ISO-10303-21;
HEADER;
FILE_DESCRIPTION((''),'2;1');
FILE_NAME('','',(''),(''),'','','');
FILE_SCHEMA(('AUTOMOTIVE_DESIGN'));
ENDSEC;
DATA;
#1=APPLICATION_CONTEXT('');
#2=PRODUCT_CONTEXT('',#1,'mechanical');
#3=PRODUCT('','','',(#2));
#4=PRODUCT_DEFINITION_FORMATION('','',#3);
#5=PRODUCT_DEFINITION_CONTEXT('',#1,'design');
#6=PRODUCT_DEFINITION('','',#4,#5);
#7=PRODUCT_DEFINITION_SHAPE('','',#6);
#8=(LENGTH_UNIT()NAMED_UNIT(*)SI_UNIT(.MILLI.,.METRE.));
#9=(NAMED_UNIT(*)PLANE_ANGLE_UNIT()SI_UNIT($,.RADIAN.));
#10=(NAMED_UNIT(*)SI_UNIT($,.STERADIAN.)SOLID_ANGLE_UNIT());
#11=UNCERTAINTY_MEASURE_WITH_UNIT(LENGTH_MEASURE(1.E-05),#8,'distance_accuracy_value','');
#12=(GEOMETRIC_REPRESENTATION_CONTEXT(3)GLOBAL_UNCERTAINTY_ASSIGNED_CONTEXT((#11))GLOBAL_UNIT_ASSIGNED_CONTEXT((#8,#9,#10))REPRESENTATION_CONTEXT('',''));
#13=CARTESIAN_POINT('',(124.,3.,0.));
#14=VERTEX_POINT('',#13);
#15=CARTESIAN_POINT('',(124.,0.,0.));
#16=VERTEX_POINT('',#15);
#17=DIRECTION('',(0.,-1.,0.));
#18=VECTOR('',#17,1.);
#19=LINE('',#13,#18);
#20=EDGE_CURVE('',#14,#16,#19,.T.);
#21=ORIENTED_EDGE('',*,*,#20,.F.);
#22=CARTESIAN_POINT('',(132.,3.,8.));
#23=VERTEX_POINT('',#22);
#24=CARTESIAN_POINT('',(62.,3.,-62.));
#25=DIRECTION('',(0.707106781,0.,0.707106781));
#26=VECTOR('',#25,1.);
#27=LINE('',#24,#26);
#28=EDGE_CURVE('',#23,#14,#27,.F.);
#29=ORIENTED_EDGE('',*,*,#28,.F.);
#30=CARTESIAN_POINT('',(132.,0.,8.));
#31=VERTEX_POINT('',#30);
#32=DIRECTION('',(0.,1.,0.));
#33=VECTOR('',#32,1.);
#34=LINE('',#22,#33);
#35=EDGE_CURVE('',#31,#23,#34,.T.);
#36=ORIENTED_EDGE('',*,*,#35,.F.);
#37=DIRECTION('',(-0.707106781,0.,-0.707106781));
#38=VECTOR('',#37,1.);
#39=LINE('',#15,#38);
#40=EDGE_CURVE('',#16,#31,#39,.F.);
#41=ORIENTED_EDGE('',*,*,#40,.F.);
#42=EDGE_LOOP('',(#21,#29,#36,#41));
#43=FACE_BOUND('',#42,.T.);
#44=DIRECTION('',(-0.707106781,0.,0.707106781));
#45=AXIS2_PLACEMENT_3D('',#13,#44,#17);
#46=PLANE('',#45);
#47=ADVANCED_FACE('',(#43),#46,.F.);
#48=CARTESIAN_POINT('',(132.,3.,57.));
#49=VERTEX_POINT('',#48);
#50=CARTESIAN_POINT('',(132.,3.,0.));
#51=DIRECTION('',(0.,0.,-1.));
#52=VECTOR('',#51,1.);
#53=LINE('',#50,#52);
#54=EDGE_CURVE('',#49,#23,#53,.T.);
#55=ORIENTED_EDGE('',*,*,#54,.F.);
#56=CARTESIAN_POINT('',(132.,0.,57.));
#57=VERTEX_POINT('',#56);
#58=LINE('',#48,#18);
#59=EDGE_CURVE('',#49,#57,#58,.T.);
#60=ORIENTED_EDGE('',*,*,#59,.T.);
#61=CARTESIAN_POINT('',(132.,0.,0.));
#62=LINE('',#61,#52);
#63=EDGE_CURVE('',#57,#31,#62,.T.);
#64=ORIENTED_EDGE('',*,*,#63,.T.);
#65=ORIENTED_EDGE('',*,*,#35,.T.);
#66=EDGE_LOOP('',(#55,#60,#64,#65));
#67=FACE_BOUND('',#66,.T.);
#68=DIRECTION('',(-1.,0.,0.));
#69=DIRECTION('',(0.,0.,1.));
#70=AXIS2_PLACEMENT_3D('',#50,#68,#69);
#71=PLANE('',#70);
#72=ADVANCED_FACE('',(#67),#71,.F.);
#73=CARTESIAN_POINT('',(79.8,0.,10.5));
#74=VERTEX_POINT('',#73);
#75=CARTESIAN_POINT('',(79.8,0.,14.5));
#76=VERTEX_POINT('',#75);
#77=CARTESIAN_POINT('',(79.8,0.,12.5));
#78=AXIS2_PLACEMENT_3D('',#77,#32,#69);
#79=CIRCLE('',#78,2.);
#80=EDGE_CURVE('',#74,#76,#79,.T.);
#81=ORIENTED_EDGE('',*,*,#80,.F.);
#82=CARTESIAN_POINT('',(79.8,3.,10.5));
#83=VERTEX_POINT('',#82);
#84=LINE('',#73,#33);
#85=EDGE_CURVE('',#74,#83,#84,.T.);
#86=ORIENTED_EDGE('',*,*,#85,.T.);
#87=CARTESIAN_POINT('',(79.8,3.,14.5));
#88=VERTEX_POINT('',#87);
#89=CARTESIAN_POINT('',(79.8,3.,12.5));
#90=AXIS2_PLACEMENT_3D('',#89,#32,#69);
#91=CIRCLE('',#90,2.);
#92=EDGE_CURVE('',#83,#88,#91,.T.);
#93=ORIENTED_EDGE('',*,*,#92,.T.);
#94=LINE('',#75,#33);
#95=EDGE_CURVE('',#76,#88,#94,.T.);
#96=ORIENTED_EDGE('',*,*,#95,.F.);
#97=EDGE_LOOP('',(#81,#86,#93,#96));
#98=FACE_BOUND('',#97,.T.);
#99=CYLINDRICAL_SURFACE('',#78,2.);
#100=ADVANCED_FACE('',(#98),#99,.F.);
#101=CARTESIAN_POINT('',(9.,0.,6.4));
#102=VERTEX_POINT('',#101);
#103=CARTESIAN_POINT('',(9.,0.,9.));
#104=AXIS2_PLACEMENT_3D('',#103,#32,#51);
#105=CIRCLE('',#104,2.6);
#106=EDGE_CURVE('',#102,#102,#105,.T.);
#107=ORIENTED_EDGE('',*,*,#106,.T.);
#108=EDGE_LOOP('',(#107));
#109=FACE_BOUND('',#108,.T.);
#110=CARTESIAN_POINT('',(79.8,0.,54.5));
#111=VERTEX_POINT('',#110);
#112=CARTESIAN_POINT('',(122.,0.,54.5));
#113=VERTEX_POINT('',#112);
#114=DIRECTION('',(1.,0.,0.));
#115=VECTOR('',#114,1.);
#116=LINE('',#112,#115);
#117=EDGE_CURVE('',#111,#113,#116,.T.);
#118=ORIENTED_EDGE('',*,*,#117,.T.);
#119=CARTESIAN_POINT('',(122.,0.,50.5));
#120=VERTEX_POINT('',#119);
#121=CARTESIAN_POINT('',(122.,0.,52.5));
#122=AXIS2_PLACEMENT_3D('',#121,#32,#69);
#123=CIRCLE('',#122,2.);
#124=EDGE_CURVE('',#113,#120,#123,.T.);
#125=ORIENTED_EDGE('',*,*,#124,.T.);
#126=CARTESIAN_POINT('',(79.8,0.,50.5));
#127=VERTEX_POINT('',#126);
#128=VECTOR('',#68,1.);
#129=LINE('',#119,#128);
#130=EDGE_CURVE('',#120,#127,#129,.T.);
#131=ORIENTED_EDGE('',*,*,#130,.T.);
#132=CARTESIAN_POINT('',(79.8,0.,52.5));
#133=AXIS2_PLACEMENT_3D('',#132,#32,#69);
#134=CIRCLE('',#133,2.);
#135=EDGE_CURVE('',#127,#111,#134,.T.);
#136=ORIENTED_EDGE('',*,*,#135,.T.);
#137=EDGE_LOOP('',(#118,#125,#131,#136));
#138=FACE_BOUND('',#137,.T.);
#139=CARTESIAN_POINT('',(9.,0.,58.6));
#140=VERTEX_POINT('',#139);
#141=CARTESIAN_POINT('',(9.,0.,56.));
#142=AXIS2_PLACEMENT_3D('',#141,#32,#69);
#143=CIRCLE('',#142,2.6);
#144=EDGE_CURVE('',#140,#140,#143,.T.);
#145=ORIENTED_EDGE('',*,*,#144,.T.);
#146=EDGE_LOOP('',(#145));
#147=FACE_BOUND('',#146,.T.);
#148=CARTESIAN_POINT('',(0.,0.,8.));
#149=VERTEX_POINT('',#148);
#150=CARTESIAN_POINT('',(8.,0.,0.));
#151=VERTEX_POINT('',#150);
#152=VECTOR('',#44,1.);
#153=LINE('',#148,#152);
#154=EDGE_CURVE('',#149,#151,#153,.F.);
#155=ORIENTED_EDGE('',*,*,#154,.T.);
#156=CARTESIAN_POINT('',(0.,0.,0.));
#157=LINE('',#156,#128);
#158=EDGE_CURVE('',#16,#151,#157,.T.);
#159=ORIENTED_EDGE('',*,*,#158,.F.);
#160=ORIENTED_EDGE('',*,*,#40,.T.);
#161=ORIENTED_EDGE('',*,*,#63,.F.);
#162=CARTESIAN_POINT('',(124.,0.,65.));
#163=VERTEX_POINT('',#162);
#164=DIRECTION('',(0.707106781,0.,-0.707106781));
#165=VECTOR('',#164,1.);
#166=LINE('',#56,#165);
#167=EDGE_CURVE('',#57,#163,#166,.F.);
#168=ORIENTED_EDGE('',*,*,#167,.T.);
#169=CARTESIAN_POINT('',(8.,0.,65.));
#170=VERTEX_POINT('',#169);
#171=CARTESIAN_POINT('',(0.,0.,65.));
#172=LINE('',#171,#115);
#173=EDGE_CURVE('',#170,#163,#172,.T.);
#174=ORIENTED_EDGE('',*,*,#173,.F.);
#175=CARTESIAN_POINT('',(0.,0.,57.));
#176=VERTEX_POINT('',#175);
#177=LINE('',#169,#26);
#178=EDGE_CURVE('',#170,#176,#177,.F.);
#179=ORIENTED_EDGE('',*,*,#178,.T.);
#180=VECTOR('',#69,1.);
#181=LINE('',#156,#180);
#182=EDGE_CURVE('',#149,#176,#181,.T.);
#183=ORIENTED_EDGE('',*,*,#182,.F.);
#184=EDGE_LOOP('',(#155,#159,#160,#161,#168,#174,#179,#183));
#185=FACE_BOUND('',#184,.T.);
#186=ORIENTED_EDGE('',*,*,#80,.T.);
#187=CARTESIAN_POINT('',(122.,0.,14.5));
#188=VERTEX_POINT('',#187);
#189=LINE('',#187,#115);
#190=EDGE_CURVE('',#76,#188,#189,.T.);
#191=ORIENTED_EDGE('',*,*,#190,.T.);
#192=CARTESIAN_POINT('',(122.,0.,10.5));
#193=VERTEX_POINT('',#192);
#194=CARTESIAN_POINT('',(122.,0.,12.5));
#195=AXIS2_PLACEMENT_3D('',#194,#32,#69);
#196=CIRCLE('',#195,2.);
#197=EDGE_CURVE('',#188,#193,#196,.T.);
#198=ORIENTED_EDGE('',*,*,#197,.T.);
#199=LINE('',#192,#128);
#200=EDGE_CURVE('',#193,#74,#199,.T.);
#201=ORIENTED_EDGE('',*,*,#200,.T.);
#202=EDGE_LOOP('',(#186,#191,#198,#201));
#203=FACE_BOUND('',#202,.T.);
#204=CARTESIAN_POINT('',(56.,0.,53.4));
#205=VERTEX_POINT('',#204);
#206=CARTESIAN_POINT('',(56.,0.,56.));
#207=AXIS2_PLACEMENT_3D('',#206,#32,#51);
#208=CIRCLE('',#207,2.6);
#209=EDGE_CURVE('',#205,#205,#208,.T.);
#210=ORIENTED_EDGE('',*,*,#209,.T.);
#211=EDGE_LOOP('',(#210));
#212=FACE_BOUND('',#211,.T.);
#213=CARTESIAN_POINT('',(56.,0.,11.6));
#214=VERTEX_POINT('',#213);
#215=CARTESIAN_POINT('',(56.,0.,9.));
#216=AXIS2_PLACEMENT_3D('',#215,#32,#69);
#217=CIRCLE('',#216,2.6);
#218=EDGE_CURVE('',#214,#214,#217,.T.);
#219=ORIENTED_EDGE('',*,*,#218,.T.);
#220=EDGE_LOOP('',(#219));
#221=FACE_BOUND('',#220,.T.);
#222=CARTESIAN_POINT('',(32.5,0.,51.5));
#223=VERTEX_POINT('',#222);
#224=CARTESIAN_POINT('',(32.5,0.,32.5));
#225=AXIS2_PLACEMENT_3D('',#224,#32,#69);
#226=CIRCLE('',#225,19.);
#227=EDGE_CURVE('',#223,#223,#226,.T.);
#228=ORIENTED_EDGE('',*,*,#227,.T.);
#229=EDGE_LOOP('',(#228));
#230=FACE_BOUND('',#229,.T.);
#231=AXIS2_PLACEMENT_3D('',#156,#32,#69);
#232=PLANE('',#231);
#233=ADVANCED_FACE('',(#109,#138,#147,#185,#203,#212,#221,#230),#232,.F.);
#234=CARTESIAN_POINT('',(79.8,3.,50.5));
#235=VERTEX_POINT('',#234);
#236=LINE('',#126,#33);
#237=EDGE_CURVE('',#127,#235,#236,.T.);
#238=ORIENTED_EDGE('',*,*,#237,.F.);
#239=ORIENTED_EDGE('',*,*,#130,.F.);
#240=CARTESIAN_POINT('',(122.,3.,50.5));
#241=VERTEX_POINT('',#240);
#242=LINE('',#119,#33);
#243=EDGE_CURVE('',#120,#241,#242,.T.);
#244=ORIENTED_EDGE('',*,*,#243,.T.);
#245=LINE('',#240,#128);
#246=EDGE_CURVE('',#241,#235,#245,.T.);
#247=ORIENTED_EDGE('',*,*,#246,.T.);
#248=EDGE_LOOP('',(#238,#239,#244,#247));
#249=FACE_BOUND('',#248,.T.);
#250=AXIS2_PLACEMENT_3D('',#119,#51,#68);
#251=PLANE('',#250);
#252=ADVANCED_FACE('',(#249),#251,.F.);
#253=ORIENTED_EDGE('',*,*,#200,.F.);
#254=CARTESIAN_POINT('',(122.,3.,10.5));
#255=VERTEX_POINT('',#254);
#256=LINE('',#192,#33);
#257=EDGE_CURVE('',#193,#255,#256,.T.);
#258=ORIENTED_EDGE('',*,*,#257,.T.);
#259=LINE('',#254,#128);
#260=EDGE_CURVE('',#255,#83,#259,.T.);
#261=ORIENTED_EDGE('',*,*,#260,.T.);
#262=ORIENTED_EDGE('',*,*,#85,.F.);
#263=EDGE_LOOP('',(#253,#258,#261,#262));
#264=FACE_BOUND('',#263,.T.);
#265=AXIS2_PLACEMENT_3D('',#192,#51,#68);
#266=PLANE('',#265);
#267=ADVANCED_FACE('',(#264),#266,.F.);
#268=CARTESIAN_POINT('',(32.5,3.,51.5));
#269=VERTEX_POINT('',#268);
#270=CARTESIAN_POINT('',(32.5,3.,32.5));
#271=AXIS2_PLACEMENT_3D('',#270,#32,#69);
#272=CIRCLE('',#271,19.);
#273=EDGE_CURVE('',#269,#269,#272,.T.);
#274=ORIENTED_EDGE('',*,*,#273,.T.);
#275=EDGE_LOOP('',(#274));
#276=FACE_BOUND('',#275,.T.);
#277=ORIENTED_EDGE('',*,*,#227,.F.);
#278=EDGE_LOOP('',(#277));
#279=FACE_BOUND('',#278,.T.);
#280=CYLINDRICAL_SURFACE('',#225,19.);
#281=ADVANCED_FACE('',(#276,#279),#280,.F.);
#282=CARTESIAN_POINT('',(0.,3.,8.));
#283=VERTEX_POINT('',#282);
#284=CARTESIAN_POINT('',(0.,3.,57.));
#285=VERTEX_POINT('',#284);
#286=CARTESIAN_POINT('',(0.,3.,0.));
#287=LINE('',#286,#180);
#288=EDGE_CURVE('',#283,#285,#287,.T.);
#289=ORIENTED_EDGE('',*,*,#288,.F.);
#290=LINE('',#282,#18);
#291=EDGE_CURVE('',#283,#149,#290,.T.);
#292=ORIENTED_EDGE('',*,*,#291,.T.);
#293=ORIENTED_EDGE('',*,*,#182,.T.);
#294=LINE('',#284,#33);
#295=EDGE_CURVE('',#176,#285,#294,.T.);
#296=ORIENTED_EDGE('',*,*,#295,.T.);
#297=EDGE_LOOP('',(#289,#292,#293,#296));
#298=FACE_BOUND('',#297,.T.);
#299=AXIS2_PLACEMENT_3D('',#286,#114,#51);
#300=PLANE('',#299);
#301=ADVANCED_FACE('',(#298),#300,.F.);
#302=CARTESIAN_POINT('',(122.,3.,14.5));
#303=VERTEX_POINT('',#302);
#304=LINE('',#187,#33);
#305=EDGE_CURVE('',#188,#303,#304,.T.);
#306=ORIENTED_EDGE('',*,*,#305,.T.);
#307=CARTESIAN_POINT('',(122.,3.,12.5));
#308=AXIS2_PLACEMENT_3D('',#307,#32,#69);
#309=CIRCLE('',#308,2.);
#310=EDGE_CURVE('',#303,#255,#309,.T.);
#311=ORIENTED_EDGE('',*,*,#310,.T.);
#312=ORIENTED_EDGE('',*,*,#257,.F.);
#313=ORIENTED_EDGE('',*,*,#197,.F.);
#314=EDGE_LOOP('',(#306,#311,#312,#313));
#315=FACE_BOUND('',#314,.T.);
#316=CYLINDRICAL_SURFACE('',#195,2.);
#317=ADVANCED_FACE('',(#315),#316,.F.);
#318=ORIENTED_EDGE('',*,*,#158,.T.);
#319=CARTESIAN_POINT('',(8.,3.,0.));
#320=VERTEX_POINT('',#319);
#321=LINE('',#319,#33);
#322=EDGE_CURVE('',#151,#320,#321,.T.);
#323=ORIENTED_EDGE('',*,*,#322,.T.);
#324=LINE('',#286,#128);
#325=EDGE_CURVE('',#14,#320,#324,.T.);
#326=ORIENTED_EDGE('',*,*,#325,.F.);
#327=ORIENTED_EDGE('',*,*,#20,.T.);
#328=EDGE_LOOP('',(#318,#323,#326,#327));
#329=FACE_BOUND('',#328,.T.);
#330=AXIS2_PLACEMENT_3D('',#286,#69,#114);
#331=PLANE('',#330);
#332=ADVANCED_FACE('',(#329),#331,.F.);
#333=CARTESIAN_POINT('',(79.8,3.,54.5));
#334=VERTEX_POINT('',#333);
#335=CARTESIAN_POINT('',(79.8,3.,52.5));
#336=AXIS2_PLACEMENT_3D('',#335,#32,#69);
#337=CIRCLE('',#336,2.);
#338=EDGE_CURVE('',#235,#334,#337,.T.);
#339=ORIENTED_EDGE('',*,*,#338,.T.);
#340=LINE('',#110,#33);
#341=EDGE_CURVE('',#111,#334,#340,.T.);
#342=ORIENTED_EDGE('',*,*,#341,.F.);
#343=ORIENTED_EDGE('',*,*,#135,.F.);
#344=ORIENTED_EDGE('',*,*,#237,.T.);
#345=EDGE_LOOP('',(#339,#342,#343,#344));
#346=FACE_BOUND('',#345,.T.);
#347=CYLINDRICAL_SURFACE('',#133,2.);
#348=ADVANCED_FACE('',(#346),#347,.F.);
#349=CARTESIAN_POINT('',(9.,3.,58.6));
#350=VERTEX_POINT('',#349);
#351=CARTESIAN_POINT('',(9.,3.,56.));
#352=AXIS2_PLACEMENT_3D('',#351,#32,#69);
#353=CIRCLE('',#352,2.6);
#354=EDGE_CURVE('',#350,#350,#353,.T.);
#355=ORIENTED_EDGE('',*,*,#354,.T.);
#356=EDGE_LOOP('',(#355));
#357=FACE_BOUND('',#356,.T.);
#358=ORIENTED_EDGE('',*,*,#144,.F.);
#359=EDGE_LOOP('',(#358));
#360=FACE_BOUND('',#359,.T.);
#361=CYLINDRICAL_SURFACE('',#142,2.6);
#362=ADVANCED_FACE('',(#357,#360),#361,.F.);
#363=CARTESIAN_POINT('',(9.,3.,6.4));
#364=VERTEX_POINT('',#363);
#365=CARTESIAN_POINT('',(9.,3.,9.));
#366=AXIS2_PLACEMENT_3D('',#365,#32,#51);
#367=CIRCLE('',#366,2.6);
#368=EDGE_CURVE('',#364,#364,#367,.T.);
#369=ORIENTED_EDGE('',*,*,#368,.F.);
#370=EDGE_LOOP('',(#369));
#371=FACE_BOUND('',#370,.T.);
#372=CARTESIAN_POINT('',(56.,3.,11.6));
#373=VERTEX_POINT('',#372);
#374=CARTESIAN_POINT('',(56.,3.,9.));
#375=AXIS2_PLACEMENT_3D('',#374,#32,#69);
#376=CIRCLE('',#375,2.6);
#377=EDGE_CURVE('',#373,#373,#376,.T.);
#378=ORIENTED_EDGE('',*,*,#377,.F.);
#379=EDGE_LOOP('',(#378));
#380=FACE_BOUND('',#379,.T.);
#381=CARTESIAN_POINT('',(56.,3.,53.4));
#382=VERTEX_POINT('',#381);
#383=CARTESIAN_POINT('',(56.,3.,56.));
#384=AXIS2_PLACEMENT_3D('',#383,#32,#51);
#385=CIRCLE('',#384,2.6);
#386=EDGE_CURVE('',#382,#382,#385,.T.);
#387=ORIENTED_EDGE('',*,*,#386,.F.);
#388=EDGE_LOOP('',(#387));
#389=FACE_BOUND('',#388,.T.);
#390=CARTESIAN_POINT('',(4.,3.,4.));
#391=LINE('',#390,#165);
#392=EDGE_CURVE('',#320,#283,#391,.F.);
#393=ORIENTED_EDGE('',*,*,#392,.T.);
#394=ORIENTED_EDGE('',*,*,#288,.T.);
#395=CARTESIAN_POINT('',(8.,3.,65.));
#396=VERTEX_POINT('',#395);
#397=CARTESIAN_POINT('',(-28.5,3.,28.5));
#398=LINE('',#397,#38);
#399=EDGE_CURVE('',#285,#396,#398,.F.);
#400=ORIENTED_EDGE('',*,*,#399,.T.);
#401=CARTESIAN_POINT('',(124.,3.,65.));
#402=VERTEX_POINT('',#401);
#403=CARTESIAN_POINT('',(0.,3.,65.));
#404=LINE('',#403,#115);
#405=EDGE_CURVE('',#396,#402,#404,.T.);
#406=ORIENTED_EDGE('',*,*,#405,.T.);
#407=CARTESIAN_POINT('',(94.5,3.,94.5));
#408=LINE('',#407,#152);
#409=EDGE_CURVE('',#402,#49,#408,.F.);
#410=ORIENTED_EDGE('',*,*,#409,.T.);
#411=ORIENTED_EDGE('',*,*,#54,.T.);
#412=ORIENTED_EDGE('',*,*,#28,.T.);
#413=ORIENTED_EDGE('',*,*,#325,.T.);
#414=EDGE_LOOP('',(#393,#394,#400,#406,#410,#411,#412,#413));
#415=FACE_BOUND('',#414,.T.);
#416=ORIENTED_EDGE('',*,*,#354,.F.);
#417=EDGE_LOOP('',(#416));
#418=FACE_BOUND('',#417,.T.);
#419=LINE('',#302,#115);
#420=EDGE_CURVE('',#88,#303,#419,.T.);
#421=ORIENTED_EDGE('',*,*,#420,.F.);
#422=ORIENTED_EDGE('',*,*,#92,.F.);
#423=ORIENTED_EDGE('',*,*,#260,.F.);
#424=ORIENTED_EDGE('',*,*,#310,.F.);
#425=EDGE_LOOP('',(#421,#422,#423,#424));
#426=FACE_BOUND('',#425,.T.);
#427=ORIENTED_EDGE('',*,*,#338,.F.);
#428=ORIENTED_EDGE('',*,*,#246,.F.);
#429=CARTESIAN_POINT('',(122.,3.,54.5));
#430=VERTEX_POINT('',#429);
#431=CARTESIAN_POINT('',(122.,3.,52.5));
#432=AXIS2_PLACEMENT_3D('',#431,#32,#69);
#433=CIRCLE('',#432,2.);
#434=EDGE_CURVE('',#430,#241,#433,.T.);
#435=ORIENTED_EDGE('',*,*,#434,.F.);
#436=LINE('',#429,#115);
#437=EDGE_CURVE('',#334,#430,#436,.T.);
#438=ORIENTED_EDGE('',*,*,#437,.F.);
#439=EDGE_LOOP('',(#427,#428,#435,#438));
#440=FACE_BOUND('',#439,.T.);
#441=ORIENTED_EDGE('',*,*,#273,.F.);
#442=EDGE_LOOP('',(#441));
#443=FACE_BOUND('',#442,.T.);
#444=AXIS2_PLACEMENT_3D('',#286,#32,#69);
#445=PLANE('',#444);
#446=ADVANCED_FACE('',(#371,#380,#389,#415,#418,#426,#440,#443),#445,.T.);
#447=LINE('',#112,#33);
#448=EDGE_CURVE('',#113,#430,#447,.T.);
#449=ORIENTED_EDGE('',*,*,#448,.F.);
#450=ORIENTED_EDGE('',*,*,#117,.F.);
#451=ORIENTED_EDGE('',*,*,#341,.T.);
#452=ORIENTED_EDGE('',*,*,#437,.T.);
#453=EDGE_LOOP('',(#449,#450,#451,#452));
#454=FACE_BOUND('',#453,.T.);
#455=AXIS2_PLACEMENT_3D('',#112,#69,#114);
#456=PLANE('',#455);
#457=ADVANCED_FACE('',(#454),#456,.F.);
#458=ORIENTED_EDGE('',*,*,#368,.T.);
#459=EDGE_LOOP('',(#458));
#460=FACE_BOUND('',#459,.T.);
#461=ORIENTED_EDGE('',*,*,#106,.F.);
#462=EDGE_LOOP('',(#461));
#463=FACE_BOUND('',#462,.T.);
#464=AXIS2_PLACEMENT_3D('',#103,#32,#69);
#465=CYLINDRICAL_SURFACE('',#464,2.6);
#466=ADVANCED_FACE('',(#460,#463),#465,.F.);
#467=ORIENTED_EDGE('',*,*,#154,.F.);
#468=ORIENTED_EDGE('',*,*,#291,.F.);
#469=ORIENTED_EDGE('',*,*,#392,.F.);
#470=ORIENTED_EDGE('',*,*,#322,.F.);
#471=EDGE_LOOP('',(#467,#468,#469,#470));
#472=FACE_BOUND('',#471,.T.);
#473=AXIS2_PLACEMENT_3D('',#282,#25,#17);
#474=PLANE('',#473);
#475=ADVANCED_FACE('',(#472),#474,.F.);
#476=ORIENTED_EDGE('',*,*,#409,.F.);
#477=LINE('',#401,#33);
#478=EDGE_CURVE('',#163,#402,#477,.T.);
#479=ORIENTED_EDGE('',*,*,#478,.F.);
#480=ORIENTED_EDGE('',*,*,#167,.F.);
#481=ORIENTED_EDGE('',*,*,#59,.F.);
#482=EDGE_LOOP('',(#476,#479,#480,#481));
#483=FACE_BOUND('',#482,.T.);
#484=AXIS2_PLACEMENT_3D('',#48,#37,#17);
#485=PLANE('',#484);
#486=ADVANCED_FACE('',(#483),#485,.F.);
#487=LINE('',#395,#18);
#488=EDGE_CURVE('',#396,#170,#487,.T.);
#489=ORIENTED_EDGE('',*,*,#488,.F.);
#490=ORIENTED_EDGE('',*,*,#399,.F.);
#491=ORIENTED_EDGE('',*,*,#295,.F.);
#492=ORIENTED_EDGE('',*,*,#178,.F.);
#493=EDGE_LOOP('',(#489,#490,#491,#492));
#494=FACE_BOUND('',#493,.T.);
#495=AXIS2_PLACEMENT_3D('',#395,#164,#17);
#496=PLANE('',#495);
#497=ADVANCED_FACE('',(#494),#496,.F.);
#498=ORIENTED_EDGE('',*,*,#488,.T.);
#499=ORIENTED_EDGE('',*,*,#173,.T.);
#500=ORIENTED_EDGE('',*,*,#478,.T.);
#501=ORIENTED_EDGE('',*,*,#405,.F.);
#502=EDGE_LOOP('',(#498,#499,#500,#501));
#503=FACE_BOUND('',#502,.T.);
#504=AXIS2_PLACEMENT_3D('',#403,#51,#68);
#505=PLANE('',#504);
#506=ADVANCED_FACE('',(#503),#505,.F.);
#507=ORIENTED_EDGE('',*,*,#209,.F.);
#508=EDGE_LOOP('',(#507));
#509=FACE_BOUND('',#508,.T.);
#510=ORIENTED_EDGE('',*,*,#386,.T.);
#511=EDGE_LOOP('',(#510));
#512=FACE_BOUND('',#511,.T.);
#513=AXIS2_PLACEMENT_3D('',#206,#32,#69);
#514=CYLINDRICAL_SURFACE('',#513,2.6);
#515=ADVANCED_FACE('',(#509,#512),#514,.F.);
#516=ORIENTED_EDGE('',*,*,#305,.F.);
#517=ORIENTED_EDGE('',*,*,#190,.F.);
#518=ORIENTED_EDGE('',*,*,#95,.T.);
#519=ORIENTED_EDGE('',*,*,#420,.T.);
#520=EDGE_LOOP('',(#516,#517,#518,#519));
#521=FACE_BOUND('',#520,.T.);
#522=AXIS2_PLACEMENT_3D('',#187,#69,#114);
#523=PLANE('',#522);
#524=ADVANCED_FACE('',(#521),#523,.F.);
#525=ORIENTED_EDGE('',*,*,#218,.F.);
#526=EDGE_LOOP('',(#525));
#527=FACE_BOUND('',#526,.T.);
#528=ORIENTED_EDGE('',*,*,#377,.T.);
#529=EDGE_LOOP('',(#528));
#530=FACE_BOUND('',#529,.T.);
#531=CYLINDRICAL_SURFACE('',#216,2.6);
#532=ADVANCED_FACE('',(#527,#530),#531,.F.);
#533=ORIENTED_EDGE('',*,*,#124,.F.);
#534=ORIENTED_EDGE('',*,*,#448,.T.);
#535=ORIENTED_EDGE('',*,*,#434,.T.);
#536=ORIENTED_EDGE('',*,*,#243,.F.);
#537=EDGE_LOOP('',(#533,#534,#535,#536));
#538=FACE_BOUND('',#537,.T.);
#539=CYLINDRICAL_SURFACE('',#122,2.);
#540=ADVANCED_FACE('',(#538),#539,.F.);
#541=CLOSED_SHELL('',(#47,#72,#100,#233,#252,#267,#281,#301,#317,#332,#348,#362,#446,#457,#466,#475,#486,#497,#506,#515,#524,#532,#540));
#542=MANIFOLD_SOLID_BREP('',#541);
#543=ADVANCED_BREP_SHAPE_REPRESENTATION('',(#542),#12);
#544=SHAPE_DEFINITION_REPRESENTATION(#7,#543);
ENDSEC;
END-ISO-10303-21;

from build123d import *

# Parameters (mm, degrees)
SKETCH1_W             = 132
SKETCH1_H             = 65
MAIN_PLATE_BODY_DEPTH = 3
CHAMFER1_SIZE         = 8
MAIN_MOTOR_HOLE_R     = 19
MAIN_MOTOR_HOLE_R_2   = 2.6
MOTOR_HOLES_DEPTH     = 148.166572291
MOUNTING_SLOTS_DEPTH  = 148.166572291


with BuildPart() as part:
    # Sketch1 → Main Plate Body (new body)
    with BuildSketch(Plane(origin=(0, 0, 0), x_dir=(1, 0, 0), z_dir=(0, 1, 0))):
        with Locations((66, -32.5)):
            Rectangle(SKETCH1_W, SKETCH1_H)
    extrude(amount=MAIN_PLATE_BODY_DEPTH)

    # Chamfer1
    chamfer1_edges = [part.edges().sort_by_distance(p)[0] for p in [
        (0, 1.5, 0),
        (132, 1.5, 0),
        (132, 1.5, 65),
        (0, 1.5, 65),
    ]]
    chamfer(chamfer1_edges, length=CHAMFER1_SIZE)

    # Main Motor Hole → Motor Holes (cut, through all)
    with BuildSketch(Plane(origin=(0, 3, 0), x_dir=(1, 0, 0), z_dir=(0, 1, 0))):
        with Locations(Location((32.5, -32.5, 0), (0, 0, 270))):
            Circle(MAIN_MOTOR_HOLE_R)
        with Locations(Location((9, -56, 0), (0, 0, 270))):
            Circle(MAIN_MOTOR_HOLE_R_2)
        with Locations(Location((56, -56, 0), (0, 0, 90))):
            Circle(MAIN_MOTOR_HOLE_R_2)
        with Locations(Location((56, -9, 0), (0, 0, 270))):
            Circle(MAIN_MOTOR_HOLE_R_2)
        with Locations(Location((9, -9, 0), (0, 0, 90))):
            Circle(MAIN_MOTOR_HOLE_R_2)
    extrude(amount=-MOTOR_HOLES_DEPTH, mode=Mode.SUBTRACT)

    # T-Slot Mounting Slots → Mounting Slots (cut, through all)
    with BuildSketch(Plane(origin=(0, 3, 0), x_dir=(1, 0, 0), z_dir=(0, 1, 0))):
        with BuildLine():
            Line((122, -50.5), (79.8, -50.5))
            ThreePointArc((79.8, -50.5), (77.8, -52.5), (79.8, -54.5))
            Line((79.8, -54.5), (122, -54.5))
            ThreePointArc((122, -54.5), (124, -52.5), (122, -50.5))
        make_face()
        with BuildLine():
            Line((122, -10.5), (79.8, -10.5))
            ThreePointArc((79.8, -10.5), (77.8, -12.5), (79.8, -14.5))
            Line((79.8, -14.5), (122, -14.5))
            ThreePointArc((122, -14.5), (124, -12.5), (122, -10.5))
        make_face()
    extrude(amount=-MOUNTING_SLOTS_DEPTH, mode=Mode.SUBTRACT)


solid = part.part
